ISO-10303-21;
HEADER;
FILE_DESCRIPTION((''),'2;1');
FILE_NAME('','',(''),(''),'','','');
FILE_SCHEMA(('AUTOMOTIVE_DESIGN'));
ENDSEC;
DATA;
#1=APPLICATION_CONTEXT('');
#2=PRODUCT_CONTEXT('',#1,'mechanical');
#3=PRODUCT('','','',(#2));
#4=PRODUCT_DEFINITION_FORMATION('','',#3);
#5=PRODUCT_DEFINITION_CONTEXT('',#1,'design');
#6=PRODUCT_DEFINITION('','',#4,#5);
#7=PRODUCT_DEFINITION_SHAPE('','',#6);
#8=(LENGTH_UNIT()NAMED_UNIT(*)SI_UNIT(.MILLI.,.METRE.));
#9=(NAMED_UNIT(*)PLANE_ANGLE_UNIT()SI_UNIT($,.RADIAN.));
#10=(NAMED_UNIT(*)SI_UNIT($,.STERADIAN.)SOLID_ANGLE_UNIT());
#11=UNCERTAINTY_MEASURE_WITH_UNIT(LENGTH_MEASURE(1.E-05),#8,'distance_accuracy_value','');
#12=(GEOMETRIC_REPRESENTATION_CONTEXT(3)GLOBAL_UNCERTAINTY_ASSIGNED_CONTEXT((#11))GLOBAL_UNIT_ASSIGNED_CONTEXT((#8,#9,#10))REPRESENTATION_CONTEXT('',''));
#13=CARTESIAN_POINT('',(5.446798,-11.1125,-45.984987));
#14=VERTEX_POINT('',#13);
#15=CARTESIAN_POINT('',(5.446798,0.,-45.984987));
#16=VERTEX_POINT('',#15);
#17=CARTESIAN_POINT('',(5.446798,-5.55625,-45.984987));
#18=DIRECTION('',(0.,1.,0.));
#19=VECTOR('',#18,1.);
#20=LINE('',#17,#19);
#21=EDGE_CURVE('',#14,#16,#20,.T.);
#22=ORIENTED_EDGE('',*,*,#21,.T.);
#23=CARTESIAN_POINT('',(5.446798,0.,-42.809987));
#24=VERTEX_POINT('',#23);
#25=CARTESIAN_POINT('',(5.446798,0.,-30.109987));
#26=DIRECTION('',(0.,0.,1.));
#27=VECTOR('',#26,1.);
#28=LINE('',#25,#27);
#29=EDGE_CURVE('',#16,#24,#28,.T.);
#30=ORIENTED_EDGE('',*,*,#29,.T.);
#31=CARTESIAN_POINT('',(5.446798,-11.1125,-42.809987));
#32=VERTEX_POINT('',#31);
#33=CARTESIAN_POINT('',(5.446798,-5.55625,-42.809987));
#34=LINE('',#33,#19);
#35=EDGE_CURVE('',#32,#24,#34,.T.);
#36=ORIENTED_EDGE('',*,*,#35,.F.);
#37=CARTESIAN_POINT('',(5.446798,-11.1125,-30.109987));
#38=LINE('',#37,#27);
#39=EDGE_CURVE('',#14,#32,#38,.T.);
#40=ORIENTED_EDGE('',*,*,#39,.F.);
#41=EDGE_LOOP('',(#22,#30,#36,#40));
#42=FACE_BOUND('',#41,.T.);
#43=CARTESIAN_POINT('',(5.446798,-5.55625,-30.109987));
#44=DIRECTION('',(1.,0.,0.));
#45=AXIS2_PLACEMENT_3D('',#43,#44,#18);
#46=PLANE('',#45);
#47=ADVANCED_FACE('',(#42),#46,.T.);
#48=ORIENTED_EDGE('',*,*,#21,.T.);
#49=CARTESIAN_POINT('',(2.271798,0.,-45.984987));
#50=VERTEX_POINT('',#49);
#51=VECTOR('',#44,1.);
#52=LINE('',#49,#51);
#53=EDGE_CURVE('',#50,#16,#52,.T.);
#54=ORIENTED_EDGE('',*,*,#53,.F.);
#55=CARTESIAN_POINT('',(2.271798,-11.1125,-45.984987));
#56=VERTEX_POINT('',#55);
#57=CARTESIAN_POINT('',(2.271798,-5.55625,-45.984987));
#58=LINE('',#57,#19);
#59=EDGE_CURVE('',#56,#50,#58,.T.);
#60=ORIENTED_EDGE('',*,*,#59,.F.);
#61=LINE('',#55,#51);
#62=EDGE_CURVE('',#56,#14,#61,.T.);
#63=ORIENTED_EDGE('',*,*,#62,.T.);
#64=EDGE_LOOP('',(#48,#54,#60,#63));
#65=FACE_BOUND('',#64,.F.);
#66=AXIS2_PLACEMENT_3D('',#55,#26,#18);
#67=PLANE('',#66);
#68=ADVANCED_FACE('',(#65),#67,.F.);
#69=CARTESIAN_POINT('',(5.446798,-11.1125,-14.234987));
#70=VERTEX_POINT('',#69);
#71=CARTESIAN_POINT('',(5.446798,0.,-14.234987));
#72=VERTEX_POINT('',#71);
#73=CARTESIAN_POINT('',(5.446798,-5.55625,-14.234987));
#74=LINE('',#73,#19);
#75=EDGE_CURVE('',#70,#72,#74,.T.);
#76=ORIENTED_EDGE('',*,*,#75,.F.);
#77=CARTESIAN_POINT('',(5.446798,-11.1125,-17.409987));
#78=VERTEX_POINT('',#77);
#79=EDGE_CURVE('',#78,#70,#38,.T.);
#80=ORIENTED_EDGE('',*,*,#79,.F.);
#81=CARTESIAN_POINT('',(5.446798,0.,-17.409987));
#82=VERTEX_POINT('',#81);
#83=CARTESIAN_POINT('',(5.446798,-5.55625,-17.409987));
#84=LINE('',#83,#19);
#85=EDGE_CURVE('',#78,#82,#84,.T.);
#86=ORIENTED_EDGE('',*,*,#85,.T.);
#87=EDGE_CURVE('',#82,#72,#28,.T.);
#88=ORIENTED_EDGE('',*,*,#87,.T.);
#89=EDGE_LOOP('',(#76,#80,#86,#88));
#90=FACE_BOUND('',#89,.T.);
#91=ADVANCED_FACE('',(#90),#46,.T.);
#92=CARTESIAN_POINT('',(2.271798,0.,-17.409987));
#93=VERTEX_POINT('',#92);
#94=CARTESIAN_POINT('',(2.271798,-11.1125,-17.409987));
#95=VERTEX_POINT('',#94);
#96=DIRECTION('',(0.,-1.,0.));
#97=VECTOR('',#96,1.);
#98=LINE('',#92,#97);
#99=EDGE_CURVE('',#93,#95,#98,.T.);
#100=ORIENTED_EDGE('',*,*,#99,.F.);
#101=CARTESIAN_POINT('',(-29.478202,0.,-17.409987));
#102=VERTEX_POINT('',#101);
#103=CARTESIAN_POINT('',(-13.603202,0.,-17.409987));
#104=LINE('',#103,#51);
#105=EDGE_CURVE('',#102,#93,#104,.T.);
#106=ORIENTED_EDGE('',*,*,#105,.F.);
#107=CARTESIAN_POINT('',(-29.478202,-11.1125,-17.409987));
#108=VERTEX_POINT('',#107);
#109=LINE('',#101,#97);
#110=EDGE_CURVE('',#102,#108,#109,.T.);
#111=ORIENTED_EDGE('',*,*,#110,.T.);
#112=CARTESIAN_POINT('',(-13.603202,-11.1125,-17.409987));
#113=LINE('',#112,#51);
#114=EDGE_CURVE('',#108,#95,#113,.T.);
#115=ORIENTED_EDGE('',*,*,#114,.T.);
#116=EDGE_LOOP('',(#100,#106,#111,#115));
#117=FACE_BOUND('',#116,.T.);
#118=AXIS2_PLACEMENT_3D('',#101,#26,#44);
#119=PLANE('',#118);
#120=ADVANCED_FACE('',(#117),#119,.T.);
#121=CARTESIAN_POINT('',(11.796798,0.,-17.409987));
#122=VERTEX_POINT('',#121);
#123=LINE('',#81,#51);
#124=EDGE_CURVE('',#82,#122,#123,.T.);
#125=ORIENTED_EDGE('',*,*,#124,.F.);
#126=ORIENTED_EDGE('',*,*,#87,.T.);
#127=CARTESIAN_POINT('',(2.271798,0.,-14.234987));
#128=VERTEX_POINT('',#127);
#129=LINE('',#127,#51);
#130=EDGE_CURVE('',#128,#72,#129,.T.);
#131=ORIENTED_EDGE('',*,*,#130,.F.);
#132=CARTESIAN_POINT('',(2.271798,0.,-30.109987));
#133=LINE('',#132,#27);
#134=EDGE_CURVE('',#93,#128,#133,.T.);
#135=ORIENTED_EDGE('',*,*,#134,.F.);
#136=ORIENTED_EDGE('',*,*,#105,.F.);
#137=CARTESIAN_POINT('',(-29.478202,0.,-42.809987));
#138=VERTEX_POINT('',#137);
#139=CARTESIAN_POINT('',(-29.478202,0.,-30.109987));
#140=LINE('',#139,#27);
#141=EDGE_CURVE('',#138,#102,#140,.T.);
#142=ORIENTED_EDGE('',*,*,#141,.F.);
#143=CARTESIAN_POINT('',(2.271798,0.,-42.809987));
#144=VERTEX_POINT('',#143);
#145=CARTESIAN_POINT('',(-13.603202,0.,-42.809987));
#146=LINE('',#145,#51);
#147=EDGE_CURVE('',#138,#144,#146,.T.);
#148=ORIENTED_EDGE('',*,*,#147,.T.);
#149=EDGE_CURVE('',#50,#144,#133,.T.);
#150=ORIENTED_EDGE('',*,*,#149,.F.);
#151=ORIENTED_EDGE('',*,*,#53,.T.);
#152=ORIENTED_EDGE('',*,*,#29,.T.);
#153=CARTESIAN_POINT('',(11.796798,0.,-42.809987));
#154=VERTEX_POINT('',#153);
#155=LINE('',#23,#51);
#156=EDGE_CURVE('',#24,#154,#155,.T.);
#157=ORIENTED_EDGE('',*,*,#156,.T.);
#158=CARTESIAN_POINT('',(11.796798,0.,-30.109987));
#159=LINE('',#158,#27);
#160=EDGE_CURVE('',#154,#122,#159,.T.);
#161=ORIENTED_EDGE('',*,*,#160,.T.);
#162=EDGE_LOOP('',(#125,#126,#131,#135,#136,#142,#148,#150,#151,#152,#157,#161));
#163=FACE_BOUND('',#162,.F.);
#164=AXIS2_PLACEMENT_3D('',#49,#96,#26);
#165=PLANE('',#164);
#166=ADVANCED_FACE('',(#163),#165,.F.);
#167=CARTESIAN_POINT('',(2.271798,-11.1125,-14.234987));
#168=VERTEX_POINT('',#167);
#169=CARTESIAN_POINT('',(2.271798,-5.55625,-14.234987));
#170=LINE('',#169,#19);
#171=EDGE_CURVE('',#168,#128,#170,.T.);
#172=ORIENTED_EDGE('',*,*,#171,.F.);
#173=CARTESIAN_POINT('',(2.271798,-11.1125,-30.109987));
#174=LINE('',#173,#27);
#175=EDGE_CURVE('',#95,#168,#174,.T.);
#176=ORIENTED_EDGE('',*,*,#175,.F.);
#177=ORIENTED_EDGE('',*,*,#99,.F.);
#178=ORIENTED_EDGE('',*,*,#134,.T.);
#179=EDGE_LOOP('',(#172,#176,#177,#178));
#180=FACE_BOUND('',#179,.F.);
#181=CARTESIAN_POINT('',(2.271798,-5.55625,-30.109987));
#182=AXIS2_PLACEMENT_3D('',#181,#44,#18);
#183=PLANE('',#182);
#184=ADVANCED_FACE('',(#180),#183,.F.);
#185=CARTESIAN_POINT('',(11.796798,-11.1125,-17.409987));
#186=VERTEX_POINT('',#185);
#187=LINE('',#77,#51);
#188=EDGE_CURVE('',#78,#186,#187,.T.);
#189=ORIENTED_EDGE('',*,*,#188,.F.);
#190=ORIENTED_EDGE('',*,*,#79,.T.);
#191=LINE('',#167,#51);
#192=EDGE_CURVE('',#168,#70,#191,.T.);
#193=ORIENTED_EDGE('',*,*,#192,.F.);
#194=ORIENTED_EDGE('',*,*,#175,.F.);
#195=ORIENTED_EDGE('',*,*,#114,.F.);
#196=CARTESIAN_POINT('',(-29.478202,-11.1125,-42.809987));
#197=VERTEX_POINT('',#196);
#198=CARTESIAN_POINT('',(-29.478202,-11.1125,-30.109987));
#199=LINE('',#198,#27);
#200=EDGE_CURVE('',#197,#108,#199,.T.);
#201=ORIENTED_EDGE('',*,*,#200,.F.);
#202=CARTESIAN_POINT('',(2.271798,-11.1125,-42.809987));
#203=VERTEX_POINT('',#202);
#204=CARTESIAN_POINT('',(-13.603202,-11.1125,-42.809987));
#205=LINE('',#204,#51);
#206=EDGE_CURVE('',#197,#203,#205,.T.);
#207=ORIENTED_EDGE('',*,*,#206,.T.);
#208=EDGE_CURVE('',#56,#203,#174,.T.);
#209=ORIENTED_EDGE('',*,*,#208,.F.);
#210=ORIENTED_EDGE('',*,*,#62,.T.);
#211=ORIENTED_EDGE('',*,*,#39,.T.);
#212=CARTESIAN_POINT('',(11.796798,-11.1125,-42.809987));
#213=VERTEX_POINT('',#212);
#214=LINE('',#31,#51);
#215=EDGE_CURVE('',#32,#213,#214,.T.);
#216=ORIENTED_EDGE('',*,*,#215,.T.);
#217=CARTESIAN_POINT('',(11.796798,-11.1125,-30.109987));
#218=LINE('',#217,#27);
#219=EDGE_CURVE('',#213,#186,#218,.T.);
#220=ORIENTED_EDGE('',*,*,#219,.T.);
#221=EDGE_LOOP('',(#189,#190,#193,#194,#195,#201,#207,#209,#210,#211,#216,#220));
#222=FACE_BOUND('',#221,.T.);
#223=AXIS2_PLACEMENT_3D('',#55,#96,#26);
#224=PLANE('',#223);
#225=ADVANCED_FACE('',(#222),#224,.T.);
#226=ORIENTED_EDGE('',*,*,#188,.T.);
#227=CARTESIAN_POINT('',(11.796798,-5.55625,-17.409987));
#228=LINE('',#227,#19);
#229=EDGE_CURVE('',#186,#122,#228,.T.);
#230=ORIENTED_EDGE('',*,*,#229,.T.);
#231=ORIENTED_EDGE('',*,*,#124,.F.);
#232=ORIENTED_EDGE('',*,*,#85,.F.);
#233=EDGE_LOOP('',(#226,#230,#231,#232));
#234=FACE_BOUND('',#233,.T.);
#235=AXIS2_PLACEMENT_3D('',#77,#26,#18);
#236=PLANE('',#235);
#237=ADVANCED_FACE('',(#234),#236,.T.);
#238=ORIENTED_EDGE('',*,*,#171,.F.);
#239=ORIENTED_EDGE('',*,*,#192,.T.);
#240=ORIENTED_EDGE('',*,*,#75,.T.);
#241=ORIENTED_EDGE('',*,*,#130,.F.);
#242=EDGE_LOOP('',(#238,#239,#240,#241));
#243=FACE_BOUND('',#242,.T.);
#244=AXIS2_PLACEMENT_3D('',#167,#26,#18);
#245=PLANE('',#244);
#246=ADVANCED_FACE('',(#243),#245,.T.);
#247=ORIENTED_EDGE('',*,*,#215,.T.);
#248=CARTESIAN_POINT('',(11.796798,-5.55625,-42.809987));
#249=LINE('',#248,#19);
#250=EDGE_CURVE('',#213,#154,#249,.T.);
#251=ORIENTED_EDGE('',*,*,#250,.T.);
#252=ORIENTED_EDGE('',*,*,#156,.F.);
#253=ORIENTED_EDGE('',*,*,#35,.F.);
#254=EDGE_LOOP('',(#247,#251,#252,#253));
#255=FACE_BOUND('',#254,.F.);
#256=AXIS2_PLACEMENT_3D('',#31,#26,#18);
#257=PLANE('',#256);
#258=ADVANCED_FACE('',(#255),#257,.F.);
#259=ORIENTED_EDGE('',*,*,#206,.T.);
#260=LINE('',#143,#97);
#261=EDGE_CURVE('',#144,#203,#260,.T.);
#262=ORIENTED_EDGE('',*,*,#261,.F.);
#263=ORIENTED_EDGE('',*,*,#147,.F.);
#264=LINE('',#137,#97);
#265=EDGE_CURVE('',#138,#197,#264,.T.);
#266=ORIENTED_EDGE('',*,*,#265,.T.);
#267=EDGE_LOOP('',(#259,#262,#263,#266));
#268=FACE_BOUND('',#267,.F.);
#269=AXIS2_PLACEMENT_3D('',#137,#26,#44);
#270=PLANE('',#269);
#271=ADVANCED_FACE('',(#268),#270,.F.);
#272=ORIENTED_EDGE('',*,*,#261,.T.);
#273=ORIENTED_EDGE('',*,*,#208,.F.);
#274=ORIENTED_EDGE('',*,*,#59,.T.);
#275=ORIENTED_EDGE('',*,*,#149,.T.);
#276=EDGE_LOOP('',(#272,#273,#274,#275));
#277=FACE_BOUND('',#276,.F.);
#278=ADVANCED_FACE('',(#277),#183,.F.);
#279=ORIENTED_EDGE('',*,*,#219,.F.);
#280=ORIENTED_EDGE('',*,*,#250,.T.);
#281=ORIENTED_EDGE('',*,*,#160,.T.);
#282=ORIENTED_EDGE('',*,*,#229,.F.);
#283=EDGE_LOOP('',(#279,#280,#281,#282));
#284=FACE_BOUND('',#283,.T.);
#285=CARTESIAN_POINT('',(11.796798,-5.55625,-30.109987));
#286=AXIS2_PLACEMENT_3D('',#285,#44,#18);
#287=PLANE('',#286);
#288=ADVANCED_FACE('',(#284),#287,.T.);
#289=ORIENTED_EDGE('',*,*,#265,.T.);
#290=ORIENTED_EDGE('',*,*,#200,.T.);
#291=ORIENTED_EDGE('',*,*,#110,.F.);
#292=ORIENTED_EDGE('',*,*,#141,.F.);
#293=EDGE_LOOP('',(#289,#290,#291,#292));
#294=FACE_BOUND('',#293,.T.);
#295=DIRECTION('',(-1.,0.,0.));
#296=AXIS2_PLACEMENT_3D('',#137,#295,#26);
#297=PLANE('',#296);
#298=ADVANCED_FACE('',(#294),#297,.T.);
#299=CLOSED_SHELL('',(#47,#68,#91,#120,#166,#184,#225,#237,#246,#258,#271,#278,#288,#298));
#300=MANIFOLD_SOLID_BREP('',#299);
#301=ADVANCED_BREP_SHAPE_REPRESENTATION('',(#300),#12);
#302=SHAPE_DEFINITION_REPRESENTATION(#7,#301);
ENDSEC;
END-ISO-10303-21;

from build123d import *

# Parameters (mm, degrees)
F0_W     = 31.75
F0_H     = 25.4
F1_DEPTH = 11.1125
F2_W     = 11.1125
F2_H     = 31.75
F3_DEPTH = 3.175
F4_W     = 11.1125
F4_H     = 25.4
F5_DEPTH = 6.35


with BuildPart() as f1:
    # F0 (on Front) → F1 (new body)
    with BuildSketch(Plane.XZ):
        with Locations((-13.603202, -30.109987)):
            Rectangle(F0_W, F0_H)
    extrude(amount=F1_DEPTH)

    # F2 (on face) → F3 (join)
    with BuildSketch(Plane.YZ.offset(2.271798)):
        with Locations((-5.55625, -30.109987)):
            Rectangle(F2_W, F2_H)
    extrude(amount=F3_DEPTH)

    # F4 (on face) → F5 (join)
    with BuildSketch(Plane.YZ.offset(5.446798)):
        with Locations((-5.55625, -30.109987)):
            Rectangle(F4_W, F4_H)
    extrude(amount=F5_DEPTH)


solid = f1.part
